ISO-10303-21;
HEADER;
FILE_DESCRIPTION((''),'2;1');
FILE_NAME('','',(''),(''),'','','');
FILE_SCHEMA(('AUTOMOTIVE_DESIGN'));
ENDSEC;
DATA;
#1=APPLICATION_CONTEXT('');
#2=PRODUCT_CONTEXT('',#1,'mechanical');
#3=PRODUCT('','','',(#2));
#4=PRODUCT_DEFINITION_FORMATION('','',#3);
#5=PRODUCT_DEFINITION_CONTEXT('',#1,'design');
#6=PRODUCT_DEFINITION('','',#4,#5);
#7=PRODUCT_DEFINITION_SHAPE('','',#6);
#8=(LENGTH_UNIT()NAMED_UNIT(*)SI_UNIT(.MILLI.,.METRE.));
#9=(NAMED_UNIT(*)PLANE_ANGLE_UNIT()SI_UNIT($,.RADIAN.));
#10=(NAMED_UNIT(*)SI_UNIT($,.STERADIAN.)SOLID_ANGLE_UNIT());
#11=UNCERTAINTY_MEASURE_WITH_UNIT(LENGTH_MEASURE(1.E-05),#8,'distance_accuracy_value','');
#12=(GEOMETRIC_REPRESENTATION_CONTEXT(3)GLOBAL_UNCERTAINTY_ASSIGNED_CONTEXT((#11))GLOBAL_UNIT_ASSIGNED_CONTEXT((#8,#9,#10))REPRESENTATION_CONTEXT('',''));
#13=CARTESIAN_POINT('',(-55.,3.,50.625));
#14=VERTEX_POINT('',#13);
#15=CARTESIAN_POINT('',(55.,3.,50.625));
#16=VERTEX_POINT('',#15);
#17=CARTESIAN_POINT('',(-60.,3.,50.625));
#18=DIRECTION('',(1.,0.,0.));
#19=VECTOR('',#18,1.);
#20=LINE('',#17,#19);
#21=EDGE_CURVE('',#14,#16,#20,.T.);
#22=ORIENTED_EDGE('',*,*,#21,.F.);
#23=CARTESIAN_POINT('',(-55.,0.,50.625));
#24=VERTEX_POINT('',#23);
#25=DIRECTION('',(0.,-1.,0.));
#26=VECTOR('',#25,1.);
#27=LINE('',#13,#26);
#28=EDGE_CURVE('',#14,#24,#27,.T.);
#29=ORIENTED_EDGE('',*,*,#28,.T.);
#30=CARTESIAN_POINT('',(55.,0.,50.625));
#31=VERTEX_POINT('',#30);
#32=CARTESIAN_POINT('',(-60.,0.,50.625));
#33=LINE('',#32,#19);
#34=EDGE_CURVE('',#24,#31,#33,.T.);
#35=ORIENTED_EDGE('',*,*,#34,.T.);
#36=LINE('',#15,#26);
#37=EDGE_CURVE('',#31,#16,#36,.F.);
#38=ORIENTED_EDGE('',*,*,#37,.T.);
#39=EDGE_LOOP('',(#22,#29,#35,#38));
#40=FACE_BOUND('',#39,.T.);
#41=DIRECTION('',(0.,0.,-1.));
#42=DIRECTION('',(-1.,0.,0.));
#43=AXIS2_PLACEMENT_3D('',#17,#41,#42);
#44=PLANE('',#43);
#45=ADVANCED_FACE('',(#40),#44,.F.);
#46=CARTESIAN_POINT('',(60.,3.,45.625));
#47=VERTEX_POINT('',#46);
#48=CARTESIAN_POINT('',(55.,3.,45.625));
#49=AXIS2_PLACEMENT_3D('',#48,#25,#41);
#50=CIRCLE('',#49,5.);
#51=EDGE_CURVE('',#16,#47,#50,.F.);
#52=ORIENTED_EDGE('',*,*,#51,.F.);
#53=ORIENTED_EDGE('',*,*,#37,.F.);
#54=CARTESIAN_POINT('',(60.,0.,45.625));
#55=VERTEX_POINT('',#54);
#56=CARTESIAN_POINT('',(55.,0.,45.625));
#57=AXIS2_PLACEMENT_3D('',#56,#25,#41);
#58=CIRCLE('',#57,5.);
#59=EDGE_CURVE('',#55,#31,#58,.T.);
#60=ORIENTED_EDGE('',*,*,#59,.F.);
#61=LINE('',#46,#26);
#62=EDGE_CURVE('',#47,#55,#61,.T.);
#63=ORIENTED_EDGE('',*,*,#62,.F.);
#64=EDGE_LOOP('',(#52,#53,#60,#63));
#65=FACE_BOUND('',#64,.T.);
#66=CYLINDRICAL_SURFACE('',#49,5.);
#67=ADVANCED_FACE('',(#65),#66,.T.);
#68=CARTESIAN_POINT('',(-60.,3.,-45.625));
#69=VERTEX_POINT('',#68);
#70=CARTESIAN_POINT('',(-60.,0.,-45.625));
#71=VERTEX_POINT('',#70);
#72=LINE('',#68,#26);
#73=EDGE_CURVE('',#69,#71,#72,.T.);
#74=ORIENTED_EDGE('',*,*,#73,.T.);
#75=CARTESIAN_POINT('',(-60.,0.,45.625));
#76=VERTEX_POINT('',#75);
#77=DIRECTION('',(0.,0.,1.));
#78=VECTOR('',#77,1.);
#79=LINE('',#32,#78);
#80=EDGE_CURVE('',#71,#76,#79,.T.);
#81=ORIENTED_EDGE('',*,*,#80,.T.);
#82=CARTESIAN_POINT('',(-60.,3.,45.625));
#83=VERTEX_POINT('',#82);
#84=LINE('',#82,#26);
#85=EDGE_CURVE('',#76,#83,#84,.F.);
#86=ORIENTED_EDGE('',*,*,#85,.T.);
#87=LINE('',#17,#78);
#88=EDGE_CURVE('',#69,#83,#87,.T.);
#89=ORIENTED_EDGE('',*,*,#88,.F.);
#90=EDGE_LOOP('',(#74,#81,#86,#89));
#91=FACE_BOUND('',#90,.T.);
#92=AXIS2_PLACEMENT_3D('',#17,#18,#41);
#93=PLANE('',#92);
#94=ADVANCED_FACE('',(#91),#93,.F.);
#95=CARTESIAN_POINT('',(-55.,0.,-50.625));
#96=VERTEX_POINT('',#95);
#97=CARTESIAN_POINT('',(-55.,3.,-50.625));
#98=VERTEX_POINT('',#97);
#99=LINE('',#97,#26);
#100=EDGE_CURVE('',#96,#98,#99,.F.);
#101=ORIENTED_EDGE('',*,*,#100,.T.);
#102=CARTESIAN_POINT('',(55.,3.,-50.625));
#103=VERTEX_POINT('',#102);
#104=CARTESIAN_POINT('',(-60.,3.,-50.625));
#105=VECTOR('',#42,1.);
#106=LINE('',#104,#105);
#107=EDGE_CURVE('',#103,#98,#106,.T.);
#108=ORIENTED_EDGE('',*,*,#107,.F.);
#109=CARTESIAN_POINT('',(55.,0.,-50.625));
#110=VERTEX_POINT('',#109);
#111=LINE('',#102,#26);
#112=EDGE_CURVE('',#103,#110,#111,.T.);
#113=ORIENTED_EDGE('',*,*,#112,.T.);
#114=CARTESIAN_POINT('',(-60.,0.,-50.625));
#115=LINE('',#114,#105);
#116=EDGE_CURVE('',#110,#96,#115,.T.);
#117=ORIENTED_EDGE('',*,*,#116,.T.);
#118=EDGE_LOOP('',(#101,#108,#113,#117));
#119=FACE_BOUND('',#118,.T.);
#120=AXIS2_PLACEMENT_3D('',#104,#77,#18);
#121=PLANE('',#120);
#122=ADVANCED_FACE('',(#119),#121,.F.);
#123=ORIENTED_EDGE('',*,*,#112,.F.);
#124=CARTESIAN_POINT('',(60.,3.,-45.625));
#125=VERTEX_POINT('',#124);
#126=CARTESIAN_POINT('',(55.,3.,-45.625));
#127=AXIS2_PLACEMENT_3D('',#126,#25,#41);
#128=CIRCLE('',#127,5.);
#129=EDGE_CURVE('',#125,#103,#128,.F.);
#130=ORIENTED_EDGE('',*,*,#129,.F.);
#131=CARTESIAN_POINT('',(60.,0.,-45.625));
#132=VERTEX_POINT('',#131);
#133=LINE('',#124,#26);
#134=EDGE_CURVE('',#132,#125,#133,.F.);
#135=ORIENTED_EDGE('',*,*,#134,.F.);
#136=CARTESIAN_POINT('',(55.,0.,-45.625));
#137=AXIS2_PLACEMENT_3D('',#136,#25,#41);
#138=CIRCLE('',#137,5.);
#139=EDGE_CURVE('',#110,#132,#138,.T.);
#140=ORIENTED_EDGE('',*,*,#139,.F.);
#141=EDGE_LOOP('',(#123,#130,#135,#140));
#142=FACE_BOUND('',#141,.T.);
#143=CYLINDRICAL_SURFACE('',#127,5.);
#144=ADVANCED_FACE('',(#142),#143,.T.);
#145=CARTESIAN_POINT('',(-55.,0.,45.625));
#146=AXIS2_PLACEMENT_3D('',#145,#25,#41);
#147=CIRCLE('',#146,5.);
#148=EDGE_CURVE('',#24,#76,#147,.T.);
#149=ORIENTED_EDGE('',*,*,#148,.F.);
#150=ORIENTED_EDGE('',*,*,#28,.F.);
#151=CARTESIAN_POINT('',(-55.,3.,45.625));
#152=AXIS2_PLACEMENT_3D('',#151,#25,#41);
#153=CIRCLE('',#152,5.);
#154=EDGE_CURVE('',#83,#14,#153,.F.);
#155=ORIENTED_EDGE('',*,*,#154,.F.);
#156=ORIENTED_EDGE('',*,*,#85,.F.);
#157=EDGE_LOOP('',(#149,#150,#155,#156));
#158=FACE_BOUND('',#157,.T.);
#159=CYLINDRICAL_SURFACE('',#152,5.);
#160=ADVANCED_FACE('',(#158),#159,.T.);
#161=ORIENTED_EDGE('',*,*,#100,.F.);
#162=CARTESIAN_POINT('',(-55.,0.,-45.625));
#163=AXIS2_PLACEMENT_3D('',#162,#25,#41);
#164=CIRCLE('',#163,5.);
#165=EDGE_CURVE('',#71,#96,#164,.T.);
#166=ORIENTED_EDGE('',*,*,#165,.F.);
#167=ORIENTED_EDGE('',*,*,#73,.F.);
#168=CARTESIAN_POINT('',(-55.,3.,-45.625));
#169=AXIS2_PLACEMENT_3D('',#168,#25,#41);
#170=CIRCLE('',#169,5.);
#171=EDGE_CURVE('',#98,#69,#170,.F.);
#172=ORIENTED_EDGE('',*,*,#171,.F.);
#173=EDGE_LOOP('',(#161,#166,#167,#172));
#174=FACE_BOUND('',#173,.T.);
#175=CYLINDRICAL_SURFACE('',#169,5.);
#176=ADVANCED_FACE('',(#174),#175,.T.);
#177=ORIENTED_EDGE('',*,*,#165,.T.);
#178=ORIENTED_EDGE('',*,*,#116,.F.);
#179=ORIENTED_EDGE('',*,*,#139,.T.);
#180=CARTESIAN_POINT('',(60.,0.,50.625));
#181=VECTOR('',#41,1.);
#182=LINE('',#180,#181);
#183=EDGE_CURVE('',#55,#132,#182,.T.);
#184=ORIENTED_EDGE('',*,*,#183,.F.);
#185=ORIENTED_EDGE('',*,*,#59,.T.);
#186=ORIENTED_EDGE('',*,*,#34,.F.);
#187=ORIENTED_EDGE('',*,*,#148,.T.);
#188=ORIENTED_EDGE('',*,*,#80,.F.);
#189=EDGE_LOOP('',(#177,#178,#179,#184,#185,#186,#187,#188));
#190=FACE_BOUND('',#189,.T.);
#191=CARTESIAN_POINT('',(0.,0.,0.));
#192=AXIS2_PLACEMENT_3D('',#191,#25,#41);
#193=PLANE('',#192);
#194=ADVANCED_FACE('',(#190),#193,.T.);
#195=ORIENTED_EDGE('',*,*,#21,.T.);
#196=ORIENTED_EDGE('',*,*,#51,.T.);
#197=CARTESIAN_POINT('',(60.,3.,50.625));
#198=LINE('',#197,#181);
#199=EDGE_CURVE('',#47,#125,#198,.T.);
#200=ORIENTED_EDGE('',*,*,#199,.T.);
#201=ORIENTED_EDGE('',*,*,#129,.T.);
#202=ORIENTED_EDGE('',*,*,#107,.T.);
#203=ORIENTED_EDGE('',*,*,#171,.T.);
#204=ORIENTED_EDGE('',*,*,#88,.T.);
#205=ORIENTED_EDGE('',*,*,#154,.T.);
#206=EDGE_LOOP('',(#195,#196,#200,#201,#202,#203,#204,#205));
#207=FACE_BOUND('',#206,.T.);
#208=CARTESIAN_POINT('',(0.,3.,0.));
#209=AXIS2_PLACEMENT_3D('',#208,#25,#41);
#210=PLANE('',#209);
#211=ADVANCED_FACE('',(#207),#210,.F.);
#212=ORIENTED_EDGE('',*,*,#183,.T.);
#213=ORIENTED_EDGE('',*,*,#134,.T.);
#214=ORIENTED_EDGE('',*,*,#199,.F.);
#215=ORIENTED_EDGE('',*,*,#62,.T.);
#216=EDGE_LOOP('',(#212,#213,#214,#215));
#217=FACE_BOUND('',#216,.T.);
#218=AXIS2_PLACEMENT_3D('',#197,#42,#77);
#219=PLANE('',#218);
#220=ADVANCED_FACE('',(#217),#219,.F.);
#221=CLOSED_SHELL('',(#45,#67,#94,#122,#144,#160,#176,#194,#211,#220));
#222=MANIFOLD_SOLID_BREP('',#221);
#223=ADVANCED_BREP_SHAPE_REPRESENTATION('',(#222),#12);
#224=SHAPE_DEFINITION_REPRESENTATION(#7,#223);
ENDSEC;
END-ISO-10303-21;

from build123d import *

# Parameters (mm, degrees)
SKETCH1_W           = 120
SKETCH1_H           = 101.25
BOSS_EXTRUDE1_DEPTH = 3
FILLET1_R           = 5


with BuildPart() as part:
    # Sketch1 → Boss-Extrude1 (new body)
    with BuildSketch(Plane(origin=(0, 0, 0), x_dir=(1, 0, 0), z_dir=(0, 1, 0))):
        Rectangle(SKETCH1_W, SKETCH1_H)
    extrude(amount=BOSS_EXTRUDE1_DEPTH)

    # Fillet1
    fillet1_edges = [part.edges().sort_by_distance(p)[0] for p in [
        (60, 1.5, 50.625),
        (-60, 1.5, 50.625),
        (-60, 1.5, -50.625),
        (60, 1.5, -50.625),
    ]]
    fillet(fillet1_edges, radius=FILLET1_R)


solid = part.part
